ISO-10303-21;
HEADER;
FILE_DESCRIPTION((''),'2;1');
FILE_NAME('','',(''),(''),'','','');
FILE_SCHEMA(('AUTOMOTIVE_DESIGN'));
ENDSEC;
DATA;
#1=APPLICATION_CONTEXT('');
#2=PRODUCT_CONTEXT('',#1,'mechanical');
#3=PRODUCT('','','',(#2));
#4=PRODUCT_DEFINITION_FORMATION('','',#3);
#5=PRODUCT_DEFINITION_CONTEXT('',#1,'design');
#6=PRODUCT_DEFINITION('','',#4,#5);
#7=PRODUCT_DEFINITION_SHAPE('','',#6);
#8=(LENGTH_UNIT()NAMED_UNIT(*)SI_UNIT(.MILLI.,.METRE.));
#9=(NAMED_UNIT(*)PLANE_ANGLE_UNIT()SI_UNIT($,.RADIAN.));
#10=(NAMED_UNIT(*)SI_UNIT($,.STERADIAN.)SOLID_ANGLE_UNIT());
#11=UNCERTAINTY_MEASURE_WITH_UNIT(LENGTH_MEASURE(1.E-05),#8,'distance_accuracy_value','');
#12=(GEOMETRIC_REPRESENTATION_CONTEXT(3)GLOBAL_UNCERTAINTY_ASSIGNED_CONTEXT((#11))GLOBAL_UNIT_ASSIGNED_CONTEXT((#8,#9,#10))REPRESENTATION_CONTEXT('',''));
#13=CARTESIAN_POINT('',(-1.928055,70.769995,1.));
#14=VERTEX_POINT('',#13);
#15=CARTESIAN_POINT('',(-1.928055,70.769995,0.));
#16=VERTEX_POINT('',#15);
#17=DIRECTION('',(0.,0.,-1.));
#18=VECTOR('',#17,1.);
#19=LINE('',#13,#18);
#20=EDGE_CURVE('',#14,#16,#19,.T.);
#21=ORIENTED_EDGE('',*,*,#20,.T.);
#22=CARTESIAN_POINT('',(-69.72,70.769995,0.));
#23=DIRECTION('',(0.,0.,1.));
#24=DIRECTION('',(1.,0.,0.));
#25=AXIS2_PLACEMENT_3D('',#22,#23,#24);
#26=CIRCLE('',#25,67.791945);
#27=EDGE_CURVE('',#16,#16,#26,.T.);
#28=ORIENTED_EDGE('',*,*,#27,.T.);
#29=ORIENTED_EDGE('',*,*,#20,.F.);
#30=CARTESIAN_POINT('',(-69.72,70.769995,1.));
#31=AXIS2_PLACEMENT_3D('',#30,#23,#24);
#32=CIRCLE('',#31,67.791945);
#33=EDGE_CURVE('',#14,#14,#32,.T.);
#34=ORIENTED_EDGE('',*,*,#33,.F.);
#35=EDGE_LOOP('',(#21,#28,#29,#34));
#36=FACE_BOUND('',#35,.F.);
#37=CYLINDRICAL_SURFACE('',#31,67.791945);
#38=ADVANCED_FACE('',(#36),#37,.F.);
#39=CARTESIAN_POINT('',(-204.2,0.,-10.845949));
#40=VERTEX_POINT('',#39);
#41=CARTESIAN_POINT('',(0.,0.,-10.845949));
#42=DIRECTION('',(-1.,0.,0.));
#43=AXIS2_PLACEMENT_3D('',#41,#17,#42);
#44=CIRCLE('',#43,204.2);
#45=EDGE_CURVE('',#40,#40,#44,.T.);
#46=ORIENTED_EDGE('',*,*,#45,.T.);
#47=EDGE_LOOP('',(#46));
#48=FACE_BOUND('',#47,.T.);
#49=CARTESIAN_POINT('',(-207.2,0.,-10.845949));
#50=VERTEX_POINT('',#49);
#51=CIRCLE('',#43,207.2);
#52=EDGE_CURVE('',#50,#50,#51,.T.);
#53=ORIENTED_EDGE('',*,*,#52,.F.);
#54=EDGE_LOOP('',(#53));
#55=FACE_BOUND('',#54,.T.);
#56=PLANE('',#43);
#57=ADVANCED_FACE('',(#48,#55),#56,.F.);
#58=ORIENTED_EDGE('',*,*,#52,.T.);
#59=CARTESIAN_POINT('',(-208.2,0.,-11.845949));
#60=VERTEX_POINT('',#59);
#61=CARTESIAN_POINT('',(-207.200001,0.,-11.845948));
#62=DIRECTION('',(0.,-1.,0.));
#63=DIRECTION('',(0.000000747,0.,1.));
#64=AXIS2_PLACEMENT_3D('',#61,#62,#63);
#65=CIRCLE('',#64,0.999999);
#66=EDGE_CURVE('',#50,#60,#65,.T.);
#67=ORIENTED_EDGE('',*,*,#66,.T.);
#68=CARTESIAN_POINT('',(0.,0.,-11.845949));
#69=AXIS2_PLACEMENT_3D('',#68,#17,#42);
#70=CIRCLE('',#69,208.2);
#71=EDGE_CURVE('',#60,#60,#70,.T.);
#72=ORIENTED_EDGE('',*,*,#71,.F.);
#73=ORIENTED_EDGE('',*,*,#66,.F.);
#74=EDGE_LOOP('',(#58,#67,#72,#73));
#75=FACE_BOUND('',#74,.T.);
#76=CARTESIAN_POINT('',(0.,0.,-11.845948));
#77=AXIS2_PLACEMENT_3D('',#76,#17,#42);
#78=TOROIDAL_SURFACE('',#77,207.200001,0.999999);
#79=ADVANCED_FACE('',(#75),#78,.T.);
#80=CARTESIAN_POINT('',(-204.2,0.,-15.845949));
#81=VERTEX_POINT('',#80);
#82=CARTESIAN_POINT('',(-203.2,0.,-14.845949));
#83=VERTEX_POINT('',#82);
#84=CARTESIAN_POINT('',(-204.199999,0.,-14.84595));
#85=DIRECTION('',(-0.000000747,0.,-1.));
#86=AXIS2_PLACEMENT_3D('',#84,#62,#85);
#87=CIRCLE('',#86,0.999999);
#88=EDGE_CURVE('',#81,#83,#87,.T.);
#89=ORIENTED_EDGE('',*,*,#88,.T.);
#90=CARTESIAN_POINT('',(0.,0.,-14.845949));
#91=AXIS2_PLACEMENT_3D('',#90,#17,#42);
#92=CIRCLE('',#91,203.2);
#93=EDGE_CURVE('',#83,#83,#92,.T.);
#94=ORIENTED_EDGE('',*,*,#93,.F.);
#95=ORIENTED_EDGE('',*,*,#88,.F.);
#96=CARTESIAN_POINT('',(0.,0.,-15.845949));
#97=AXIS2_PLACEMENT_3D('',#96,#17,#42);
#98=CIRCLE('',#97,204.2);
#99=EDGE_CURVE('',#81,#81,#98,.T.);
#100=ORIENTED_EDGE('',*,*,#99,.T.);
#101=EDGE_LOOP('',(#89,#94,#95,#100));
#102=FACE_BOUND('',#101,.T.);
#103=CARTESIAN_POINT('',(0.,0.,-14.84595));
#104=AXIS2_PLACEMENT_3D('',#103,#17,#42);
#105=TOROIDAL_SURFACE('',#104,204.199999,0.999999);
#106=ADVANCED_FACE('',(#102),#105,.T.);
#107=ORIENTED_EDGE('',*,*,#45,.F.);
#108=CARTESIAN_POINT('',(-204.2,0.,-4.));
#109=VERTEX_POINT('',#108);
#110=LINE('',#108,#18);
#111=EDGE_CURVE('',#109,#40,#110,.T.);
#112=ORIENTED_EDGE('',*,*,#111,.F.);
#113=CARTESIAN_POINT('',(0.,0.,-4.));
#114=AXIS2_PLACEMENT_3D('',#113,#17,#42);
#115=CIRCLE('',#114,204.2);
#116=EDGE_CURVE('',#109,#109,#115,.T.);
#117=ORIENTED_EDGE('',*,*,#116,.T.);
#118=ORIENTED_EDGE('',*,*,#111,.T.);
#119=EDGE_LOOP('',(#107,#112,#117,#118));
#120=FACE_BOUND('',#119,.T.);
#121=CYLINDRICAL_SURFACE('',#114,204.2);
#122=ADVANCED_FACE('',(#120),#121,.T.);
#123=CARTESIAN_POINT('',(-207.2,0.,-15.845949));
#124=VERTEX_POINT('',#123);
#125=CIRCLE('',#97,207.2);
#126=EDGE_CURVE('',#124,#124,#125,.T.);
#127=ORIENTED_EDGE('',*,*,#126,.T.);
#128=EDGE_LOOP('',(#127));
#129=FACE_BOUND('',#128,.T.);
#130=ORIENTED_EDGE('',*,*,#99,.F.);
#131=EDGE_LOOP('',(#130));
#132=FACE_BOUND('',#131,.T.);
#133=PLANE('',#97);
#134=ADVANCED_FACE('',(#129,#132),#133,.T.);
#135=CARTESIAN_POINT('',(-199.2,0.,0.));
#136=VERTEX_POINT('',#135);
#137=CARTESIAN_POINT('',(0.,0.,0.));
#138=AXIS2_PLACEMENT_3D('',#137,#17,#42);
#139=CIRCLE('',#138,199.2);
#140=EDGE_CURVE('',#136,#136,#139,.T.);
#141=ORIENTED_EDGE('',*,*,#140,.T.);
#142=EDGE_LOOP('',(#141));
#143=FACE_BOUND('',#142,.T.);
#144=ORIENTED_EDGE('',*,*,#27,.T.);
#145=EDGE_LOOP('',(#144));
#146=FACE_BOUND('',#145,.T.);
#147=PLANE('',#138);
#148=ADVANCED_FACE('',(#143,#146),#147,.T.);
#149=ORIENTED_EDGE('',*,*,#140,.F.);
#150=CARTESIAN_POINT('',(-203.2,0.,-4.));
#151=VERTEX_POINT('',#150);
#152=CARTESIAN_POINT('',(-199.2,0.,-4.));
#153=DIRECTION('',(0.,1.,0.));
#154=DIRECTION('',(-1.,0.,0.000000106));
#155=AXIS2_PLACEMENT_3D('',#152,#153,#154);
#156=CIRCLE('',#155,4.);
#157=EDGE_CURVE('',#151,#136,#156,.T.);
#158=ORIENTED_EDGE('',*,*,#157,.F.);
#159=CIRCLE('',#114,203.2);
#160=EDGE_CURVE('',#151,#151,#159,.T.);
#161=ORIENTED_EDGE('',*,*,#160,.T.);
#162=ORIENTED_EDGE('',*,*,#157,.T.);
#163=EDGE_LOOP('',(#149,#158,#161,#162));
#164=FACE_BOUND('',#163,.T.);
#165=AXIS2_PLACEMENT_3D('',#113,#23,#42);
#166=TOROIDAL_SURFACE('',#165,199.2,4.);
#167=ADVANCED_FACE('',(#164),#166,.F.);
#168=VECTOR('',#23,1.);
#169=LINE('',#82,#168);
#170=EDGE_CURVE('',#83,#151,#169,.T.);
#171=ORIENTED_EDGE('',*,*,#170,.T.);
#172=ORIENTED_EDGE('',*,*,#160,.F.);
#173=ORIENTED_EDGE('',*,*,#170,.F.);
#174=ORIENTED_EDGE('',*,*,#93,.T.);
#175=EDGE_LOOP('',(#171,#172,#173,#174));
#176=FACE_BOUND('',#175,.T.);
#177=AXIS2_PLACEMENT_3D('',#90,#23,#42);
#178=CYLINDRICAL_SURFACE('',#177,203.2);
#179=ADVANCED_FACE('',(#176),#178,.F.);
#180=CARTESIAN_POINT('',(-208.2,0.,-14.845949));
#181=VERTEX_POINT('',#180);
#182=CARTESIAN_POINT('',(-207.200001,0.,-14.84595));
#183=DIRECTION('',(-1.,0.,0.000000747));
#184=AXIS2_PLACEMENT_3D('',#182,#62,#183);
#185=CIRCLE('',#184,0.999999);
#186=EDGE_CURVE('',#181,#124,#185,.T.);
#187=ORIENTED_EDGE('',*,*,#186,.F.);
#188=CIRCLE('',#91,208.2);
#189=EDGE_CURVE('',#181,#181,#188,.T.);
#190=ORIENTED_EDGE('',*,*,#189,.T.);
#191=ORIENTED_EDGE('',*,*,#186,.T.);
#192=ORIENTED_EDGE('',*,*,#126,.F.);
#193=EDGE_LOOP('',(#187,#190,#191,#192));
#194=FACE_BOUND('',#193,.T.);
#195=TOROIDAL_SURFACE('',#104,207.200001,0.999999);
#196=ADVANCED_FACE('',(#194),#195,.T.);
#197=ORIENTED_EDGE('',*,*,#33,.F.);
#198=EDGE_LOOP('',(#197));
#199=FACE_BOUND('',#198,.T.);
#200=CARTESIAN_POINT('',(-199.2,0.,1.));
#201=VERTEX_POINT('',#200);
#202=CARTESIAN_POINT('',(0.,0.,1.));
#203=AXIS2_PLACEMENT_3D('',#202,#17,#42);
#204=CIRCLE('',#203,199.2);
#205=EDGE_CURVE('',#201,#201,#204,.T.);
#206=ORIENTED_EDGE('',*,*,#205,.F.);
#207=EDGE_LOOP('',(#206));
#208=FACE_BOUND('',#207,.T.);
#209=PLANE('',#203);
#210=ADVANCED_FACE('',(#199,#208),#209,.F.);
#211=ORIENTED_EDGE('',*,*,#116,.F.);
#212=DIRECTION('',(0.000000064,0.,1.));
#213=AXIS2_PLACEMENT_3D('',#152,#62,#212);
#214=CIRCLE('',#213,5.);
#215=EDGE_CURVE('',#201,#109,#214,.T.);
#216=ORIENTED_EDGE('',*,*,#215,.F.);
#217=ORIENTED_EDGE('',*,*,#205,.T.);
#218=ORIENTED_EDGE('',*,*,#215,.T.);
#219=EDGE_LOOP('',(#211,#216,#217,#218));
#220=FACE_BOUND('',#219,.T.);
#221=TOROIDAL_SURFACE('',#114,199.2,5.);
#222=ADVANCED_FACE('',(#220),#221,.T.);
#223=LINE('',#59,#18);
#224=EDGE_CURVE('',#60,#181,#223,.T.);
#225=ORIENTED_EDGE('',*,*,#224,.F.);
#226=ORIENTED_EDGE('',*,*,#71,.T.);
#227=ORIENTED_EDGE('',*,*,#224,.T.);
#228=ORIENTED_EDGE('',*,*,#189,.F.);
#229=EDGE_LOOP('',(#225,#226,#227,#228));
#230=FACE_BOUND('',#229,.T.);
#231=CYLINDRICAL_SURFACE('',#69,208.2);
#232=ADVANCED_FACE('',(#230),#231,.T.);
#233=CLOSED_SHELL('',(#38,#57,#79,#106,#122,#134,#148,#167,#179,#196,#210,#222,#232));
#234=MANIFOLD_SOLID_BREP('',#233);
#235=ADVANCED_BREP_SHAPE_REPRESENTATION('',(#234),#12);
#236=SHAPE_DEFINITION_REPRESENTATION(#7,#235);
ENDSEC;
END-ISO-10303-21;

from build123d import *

# Parameters (mm, degrees)
F2_R     = 67.791945
F3_DEPTH = 16.846949


with BuildPart() as f1:
    # F0 (on Front) → F1 (revolve)
    with BuildSketch(Plane.XZ):
        with BuildLine():
            Line((-199.2, 0), (0, 0))
            Line((0, 0), (0, 1))
            Line((0, 1), (-199.2, 1))
            ThreePointArc((-199.2, 1), (-202.735534, -0.464466), (-204.2, -4))
            Line((-204.2, -4), (-204.2, -10.845949))
            Line((-204.2, -10.845949), (-207.2, -10.845949))
            ThreePointArc((-207.2, -10.845949), (-207.907107, -11.138842), (-208.2, -11.845949))
            Line((-208.2, -11.845949), (-208.2, -14.845949))
            ThreePointArc((-208.2, -14.845949), (-207.907107, -15.553056), (-207.2, -15.845949))
            Line((-207.2, -15.845949), (-204.2, -15.845949))
            ThreePointArc((-204.2, -15.845949), (-203.492893, -15.553056), (-203.2, -14.845949))
            Line((-203.2, -14.845949), (-203.2, -10.845949))
            Line((-203.2, -10.845949), (-203.2, -4))
            ThreePointArc((-203.2, -4), (-202.028427, -1.171573), (-199.2, 0))
        make_face()
    revolve(axis=Axis((0, 0, 0.5), (0, 0, -1)))

    # F2 (on face) → F3 (cut, through all)
    with BuildSketch(Plane.XY.offset(1)):
        with Locations((-69.72, 70.769995)):
            Circle(F2_R)
    extrude(amount=-F3_DEPTH, mode=Mode.SUBTRACT)


solid = f1.part
